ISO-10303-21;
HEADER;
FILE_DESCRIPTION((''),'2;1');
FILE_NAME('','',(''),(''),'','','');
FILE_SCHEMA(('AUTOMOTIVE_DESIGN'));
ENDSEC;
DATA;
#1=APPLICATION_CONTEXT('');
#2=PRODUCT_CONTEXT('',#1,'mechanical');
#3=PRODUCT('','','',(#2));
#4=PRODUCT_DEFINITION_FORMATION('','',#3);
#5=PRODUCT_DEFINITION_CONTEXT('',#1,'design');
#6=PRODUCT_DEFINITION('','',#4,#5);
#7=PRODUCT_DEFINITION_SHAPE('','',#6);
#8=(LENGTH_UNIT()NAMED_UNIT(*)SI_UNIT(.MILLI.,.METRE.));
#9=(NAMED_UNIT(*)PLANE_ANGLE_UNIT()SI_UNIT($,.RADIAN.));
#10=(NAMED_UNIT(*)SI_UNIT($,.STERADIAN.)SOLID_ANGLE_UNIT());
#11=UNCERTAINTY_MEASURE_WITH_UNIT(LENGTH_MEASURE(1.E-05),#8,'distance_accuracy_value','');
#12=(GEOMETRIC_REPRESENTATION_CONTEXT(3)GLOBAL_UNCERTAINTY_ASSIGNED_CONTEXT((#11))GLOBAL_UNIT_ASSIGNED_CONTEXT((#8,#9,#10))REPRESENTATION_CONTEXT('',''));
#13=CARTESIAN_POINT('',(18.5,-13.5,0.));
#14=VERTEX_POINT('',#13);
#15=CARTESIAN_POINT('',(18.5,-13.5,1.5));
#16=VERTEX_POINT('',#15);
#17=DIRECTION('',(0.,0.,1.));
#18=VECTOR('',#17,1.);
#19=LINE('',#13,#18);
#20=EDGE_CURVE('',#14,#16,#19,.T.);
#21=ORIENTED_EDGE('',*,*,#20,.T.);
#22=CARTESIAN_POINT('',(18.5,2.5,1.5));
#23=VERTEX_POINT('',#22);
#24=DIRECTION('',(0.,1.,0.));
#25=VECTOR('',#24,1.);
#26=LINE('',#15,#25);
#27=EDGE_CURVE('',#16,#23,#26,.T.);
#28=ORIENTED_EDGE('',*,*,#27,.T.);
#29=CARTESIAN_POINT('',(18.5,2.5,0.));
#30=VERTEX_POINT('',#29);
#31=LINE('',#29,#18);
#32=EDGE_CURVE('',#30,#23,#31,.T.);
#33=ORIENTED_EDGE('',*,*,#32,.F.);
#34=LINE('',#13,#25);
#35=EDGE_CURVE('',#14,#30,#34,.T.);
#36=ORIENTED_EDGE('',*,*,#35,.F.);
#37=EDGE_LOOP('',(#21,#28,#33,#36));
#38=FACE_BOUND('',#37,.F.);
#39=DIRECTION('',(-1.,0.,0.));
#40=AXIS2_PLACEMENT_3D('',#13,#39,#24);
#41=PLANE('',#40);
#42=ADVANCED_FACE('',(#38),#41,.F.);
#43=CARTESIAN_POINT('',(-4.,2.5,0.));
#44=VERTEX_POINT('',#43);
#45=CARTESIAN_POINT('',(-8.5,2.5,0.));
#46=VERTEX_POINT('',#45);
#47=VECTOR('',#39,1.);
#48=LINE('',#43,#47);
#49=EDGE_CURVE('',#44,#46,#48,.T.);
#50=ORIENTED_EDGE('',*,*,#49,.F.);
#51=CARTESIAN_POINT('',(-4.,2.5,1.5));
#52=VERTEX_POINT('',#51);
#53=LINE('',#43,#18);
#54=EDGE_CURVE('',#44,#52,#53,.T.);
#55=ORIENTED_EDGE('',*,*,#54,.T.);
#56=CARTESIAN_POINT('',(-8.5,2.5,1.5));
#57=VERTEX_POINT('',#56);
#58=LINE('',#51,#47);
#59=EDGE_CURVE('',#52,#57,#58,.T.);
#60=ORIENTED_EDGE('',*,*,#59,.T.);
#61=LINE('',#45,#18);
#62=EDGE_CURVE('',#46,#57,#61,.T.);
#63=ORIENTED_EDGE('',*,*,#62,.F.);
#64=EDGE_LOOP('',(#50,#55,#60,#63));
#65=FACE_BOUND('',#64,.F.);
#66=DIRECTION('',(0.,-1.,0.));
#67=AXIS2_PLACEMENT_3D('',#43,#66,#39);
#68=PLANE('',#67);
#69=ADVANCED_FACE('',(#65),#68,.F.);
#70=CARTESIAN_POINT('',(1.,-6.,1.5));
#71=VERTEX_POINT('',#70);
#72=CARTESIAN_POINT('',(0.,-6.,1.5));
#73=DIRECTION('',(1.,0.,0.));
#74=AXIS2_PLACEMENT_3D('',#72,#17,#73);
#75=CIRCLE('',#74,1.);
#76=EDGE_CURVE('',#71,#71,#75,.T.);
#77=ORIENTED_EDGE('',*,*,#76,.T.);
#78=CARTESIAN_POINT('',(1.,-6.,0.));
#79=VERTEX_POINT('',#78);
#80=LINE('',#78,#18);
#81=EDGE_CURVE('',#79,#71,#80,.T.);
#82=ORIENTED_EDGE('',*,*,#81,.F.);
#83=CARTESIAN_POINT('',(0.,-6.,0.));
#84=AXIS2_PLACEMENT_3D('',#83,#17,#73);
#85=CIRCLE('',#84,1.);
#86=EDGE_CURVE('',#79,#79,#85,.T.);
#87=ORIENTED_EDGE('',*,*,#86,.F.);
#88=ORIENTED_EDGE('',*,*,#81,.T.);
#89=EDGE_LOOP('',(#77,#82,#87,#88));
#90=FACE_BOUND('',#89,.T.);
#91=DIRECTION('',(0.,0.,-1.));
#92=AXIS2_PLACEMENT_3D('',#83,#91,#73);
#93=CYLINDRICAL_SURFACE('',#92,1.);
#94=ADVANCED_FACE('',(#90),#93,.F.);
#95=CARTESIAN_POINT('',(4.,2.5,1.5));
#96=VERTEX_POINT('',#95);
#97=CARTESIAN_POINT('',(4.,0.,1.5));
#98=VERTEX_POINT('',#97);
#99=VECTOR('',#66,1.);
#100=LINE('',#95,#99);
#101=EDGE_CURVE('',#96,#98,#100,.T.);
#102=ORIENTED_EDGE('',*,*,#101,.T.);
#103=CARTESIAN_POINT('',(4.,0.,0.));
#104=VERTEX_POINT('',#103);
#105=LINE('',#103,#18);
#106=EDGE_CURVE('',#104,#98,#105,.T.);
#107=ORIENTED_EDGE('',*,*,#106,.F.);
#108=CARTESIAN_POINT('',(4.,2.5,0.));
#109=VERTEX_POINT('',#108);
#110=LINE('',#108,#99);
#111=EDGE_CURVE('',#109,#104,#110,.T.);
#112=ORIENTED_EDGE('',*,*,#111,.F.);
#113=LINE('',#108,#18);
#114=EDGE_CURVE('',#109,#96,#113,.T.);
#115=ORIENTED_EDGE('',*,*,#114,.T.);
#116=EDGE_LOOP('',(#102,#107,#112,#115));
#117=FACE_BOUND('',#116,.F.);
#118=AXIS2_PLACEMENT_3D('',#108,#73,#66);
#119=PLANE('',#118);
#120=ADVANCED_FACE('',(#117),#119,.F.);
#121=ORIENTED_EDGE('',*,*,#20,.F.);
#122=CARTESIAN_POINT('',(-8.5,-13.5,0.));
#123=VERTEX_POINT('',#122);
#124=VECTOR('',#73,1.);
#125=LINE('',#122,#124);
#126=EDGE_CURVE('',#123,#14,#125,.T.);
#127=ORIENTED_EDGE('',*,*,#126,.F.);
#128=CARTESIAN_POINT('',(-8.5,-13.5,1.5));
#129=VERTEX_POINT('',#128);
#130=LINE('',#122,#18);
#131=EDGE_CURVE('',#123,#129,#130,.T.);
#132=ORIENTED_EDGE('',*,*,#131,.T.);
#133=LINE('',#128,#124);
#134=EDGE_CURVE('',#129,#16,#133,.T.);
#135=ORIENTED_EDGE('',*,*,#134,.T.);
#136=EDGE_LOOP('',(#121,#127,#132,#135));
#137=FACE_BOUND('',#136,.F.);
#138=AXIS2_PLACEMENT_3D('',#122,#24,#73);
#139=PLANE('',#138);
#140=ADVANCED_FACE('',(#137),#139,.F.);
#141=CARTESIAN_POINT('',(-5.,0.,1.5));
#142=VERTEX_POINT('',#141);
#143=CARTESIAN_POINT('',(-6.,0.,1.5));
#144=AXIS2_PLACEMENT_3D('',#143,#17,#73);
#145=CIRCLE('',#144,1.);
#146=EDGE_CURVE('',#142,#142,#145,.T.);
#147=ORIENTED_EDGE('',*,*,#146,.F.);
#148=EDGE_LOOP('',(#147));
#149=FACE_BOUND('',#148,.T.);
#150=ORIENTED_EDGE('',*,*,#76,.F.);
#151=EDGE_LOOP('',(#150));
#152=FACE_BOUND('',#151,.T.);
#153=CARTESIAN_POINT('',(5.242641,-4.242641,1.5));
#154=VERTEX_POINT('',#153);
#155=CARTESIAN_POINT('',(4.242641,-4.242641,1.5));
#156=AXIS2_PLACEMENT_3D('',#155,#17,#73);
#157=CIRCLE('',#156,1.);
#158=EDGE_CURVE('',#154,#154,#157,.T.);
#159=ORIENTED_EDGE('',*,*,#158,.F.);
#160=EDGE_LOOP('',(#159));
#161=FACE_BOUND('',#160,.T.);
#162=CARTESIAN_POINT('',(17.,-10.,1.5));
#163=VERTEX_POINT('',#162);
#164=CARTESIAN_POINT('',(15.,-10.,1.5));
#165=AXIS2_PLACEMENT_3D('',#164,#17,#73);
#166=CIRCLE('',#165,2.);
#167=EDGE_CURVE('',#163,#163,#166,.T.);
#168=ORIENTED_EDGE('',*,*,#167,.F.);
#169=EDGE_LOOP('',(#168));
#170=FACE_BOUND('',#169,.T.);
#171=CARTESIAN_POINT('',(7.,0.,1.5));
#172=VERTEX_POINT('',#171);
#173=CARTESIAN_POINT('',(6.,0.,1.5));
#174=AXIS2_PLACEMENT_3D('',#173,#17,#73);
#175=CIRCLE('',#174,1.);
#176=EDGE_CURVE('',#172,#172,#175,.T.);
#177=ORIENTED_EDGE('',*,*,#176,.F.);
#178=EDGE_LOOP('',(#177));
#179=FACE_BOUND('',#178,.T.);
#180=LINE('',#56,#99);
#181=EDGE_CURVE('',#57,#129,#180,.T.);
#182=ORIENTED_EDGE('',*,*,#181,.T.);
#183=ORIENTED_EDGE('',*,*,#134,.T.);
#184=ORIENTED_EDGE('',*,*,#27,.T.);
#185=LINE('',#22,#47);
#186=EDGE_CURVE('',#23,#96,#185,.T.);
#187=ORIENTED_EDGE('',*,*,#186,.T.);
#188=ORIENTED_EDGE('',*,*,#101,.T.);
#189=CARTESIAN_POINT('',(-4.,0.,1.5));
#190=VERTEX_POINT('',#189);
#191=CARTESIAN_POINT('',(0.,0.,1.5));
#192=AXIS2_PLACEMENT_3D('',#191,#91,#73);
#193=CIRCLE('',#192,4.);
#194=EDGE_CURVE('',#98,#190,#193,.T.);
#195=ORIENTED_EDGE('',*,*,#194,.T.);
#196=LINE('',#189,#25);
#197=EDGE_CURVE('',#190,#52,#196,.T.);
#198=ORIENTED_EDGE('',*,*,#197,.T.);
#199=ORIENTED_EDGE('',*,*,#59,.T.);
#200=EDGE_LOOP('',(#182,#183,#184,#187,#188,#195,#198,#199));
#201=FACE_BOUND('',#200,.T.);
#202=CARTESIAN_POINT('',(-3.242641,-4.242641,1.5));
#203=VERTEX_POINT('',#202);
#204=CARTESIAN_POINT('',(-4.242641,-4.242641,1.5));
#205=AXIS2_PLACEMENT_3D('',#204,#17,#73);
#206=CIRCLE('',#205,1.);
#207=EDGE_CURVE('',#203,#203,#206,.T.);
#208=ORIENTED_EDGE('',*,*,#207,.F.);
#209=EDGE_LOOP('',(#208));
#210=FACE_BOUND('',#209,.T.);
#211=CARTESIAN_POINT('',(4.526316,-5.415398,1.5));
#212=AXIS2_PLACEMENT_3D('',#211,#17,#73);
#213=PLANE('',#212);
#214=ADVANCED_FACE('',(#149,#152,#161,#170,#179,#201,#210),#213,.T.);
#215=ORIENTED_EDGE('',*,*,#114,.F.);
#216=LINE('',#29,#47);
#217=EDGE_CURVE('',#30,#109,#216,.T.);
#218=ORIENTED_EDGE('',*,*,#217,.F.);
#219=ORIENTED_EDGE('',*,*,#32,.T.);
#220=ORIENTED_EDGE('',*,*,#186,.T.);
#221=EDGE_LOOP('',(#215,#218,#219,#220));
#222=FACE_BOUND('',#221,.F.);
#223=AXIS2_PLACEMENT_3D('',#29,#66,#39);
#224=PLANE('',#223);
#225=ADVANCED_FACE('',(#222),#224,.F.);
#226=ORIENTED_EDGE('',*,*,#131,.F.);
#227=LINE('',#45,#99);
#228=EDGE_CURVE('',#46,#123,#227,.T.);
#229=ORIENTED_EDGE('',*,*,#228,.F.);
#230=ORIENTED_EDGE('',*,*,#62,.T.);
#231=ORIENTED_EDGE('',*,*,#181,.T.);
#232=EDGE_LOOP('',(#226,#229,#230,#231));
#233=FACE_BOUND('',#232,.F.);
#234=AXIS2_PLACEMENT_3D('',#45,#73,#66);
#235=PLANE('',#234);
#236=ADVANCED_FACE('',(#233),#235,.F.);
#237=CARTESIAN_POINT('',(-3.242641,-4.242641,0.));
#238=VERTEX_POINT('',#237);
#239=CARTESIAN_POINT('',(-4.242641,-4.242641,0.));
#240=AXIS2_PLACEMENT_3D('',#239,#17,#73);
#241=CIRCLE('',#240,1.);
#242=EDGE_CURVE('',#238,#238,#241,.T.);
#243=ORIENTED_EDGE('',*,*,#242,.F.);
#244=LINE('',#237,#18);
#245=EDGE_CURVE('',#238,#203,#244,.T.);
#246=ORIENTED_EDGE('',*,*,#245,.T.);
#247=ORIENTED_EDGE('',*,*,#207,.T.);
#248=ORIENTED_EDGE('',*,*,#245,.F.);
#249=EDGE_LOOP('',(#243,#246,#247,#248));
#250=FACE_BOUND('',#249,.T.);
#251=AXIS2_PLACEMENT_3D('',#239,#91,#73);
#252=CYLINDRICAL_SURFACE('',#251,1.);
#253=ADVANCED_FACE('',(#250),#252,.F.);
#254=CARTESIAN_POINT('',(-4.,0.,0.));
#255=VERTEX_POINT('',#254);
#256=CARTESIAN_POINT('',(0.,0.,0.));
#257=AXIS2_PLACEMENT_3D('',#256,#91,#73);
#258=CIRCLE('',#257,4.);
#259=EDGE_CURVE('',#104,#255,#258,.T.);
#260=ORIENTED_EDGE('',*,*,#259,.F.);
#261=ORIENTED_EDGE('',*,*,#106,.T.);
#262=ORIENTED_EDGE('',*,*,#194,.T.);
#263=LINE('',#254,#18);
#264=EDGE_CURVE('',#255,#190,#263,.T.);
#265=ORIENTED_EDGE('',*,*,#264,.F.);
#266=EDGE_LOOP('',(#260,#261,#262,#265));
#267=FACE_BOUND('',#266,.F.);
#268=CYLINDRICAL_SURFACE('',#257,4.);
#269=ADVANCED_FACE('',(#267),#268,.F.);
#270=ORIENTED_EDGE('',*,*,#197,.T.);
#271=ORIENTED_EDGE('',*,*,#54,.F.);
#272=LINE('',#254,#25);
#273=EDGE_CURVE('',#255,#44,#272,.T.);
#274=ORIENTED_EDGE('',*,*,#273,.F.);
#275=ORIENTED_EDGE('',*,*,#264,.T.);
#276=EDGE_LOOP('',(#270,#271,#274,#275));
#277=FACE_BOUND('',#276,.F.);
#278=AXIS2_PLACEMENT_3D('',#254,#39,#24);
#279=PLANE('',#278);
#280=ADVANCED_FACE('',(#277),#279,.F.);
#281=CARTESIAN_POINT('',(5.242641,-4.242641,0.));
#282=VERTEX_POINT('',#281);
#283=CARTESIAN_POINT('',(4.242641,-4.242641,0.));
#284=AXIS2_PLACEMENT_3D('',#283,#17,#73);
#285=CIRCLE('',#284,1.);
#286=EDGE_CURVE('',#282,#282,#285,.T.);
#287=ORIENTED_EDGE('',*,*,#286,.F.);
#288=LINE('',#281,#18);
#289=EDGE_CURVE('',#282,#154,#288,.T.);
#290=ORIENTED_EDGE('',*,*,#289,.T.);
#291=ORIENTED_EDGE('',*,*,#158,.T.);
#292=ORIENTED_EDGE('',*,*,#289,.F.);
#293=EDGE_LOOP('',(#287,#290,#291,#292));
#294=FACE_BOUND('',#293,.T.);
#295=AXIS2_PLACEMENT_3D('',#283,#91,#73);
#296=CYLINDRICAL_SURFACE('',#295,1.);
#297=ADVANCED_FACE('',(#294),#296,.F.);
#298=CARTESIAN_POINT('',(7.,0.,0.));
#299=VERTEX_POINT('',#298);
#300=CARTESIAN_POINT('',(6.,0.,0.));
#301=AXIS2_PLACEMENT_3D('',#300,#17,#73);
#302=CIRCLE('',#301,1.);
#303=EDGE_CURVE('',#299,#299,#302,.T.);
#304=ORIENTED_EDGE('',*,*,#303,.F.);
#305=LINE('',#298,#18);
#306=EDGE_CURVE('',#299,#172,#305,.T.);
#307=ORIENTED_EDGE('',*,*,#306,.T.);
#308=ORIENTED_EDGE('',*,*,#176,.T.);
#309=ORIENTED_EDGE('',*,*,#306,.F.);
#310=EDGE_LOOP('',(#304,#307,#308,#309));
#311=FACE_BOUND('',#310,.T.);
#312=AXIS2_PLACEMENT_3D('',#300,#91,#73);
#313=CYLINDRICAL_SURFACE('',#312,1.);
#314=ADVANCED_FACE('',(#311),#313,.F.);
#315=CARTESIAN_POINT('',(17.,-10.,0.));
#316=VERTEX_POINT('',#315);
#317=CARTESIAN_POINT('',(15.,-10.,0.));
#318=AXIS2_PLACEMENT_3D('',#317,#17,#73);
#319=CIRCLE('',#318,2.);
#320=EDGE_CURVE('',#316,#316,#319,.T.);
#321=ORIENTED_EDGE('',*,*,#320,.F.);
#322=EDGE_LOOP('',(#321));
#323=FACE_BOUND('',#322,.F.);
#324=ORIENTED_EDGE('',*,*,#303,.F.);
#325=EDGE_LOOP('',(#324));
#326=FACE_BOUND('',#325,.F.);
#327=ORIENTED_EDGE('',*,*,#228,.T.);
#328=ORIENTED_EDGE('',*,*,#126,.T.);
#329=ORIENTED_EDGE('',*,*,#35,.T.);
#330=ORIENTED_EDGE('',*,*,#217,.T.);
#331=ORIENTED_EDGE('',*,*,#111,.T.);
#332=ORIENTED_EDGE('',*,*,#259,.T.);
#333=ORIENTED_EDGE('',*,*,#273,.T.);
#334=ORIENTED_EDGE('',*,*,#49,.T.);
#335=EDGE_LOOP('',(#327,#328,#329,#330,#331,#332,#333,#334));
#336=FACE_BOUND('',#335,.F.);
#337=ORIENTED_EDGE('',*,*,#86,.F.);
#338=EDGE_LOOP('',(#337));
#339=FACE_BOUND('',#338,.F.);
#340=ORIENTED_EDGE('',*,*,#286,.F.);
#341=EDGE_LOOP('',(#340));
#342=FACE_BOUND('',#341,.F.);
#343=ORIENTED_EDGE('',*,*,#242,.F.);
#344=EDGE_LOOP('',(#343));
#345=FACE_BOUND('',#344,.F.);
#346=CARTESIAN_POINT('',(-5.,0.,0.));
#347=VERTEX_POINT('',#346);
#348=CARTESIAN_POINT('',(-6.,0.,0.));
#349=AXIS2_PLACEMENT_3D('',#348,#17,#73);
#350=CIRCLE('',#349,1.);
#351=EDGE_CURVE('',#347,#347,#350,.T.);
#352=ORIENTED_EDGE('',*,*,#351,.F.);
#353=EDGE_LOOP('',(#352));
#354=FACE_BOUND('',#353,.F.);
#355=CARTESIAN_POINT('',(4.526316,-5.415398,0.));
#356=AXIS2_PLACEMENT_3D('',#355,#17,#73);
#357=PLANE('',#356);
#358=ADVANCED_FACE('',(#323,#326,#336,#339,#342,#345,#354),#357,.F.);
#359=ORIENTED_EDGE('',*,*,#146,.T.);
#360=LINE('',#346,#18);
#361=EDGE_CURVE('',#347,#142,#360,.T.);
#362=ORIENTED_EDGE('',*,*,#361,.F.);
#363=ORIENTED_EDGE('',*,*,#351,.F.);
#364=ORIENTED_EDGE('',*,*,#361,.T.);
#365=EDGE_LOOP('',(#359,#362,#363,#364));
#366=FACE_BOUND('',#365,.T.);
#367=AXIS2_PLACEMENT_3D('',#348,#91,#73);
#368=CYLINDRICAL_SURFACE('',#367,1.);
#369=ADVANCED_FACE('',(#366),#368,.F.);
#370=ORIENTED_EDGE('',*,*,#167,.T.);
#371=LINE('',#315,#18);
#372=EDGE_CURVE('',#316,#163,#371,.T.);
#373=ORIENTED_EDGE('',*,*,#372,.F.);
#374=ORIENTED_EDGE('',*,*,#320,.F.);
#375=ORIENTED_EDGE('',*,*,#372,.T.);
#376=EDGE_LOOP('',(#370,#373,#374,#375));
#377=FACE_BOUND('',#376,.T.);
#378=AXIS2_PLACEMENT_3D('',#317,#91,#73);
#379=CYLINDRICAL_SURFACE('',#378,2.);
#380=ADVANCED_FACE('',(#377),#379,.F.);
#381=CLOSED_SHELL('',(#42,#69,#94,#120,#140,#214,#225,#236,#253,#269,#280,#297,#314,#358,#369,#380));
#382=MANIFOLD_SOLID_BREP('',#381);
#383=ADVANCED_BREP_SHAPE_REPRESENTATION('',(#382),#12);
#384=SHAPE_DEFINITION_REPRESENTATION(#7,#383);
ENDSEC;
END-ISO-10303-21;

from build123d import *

# Parameters (mm, degrees)
F0_R     = 1
F0_R_2   = 2
F1_DEPTH = 1.5


with BuildPart() as f1:
    # F0 (on Top) → F1 (new body)
    with BuildSketch(Plane.XY):
        with BuildLine():
            ThreePointArc((4, 0), (0, -4), (-4, 0))
            Line((-4, 0), (-4, 2.5))
            Line((-4, 2.5), (-8.5, 2.5))
            Line((-8.5, 2.5), (-8.5, -13.5))
            Line((-8.5, -13.5), (18.5, -13.5))
            Line((18.5, -13.5), (18.5, 2.5))
            Line((18.5, 2.5), (4, 2.5))
            Line((4, 2.5), (4, 0))
        make_face()
        with Locations((0, -6)):
            Circle(F0_R, mode=Mode.SUBTRACT)
        with Locations((15, -10)):
            Circle(F0_R_2, mode=Mode.SUBTRACT)
        with Locations((-4.242641, -4.242641)):
            Circle(F0_R, mode=Mode.SUBTRACT)
        with Locations((4.242641, -4.242641)):
            Circle(F0_R, mode=Mode.SUBTRACT)
        with Locations((-6, 0)):
            Circle(F0_R, mode=Mode.SUBTRACT)
        with Locations((6, 0)):
            Circle(F0_R, mode=Mode.SUBTRACT)
    extrude(amount=F1_DEPTH)


solid = f1.part
